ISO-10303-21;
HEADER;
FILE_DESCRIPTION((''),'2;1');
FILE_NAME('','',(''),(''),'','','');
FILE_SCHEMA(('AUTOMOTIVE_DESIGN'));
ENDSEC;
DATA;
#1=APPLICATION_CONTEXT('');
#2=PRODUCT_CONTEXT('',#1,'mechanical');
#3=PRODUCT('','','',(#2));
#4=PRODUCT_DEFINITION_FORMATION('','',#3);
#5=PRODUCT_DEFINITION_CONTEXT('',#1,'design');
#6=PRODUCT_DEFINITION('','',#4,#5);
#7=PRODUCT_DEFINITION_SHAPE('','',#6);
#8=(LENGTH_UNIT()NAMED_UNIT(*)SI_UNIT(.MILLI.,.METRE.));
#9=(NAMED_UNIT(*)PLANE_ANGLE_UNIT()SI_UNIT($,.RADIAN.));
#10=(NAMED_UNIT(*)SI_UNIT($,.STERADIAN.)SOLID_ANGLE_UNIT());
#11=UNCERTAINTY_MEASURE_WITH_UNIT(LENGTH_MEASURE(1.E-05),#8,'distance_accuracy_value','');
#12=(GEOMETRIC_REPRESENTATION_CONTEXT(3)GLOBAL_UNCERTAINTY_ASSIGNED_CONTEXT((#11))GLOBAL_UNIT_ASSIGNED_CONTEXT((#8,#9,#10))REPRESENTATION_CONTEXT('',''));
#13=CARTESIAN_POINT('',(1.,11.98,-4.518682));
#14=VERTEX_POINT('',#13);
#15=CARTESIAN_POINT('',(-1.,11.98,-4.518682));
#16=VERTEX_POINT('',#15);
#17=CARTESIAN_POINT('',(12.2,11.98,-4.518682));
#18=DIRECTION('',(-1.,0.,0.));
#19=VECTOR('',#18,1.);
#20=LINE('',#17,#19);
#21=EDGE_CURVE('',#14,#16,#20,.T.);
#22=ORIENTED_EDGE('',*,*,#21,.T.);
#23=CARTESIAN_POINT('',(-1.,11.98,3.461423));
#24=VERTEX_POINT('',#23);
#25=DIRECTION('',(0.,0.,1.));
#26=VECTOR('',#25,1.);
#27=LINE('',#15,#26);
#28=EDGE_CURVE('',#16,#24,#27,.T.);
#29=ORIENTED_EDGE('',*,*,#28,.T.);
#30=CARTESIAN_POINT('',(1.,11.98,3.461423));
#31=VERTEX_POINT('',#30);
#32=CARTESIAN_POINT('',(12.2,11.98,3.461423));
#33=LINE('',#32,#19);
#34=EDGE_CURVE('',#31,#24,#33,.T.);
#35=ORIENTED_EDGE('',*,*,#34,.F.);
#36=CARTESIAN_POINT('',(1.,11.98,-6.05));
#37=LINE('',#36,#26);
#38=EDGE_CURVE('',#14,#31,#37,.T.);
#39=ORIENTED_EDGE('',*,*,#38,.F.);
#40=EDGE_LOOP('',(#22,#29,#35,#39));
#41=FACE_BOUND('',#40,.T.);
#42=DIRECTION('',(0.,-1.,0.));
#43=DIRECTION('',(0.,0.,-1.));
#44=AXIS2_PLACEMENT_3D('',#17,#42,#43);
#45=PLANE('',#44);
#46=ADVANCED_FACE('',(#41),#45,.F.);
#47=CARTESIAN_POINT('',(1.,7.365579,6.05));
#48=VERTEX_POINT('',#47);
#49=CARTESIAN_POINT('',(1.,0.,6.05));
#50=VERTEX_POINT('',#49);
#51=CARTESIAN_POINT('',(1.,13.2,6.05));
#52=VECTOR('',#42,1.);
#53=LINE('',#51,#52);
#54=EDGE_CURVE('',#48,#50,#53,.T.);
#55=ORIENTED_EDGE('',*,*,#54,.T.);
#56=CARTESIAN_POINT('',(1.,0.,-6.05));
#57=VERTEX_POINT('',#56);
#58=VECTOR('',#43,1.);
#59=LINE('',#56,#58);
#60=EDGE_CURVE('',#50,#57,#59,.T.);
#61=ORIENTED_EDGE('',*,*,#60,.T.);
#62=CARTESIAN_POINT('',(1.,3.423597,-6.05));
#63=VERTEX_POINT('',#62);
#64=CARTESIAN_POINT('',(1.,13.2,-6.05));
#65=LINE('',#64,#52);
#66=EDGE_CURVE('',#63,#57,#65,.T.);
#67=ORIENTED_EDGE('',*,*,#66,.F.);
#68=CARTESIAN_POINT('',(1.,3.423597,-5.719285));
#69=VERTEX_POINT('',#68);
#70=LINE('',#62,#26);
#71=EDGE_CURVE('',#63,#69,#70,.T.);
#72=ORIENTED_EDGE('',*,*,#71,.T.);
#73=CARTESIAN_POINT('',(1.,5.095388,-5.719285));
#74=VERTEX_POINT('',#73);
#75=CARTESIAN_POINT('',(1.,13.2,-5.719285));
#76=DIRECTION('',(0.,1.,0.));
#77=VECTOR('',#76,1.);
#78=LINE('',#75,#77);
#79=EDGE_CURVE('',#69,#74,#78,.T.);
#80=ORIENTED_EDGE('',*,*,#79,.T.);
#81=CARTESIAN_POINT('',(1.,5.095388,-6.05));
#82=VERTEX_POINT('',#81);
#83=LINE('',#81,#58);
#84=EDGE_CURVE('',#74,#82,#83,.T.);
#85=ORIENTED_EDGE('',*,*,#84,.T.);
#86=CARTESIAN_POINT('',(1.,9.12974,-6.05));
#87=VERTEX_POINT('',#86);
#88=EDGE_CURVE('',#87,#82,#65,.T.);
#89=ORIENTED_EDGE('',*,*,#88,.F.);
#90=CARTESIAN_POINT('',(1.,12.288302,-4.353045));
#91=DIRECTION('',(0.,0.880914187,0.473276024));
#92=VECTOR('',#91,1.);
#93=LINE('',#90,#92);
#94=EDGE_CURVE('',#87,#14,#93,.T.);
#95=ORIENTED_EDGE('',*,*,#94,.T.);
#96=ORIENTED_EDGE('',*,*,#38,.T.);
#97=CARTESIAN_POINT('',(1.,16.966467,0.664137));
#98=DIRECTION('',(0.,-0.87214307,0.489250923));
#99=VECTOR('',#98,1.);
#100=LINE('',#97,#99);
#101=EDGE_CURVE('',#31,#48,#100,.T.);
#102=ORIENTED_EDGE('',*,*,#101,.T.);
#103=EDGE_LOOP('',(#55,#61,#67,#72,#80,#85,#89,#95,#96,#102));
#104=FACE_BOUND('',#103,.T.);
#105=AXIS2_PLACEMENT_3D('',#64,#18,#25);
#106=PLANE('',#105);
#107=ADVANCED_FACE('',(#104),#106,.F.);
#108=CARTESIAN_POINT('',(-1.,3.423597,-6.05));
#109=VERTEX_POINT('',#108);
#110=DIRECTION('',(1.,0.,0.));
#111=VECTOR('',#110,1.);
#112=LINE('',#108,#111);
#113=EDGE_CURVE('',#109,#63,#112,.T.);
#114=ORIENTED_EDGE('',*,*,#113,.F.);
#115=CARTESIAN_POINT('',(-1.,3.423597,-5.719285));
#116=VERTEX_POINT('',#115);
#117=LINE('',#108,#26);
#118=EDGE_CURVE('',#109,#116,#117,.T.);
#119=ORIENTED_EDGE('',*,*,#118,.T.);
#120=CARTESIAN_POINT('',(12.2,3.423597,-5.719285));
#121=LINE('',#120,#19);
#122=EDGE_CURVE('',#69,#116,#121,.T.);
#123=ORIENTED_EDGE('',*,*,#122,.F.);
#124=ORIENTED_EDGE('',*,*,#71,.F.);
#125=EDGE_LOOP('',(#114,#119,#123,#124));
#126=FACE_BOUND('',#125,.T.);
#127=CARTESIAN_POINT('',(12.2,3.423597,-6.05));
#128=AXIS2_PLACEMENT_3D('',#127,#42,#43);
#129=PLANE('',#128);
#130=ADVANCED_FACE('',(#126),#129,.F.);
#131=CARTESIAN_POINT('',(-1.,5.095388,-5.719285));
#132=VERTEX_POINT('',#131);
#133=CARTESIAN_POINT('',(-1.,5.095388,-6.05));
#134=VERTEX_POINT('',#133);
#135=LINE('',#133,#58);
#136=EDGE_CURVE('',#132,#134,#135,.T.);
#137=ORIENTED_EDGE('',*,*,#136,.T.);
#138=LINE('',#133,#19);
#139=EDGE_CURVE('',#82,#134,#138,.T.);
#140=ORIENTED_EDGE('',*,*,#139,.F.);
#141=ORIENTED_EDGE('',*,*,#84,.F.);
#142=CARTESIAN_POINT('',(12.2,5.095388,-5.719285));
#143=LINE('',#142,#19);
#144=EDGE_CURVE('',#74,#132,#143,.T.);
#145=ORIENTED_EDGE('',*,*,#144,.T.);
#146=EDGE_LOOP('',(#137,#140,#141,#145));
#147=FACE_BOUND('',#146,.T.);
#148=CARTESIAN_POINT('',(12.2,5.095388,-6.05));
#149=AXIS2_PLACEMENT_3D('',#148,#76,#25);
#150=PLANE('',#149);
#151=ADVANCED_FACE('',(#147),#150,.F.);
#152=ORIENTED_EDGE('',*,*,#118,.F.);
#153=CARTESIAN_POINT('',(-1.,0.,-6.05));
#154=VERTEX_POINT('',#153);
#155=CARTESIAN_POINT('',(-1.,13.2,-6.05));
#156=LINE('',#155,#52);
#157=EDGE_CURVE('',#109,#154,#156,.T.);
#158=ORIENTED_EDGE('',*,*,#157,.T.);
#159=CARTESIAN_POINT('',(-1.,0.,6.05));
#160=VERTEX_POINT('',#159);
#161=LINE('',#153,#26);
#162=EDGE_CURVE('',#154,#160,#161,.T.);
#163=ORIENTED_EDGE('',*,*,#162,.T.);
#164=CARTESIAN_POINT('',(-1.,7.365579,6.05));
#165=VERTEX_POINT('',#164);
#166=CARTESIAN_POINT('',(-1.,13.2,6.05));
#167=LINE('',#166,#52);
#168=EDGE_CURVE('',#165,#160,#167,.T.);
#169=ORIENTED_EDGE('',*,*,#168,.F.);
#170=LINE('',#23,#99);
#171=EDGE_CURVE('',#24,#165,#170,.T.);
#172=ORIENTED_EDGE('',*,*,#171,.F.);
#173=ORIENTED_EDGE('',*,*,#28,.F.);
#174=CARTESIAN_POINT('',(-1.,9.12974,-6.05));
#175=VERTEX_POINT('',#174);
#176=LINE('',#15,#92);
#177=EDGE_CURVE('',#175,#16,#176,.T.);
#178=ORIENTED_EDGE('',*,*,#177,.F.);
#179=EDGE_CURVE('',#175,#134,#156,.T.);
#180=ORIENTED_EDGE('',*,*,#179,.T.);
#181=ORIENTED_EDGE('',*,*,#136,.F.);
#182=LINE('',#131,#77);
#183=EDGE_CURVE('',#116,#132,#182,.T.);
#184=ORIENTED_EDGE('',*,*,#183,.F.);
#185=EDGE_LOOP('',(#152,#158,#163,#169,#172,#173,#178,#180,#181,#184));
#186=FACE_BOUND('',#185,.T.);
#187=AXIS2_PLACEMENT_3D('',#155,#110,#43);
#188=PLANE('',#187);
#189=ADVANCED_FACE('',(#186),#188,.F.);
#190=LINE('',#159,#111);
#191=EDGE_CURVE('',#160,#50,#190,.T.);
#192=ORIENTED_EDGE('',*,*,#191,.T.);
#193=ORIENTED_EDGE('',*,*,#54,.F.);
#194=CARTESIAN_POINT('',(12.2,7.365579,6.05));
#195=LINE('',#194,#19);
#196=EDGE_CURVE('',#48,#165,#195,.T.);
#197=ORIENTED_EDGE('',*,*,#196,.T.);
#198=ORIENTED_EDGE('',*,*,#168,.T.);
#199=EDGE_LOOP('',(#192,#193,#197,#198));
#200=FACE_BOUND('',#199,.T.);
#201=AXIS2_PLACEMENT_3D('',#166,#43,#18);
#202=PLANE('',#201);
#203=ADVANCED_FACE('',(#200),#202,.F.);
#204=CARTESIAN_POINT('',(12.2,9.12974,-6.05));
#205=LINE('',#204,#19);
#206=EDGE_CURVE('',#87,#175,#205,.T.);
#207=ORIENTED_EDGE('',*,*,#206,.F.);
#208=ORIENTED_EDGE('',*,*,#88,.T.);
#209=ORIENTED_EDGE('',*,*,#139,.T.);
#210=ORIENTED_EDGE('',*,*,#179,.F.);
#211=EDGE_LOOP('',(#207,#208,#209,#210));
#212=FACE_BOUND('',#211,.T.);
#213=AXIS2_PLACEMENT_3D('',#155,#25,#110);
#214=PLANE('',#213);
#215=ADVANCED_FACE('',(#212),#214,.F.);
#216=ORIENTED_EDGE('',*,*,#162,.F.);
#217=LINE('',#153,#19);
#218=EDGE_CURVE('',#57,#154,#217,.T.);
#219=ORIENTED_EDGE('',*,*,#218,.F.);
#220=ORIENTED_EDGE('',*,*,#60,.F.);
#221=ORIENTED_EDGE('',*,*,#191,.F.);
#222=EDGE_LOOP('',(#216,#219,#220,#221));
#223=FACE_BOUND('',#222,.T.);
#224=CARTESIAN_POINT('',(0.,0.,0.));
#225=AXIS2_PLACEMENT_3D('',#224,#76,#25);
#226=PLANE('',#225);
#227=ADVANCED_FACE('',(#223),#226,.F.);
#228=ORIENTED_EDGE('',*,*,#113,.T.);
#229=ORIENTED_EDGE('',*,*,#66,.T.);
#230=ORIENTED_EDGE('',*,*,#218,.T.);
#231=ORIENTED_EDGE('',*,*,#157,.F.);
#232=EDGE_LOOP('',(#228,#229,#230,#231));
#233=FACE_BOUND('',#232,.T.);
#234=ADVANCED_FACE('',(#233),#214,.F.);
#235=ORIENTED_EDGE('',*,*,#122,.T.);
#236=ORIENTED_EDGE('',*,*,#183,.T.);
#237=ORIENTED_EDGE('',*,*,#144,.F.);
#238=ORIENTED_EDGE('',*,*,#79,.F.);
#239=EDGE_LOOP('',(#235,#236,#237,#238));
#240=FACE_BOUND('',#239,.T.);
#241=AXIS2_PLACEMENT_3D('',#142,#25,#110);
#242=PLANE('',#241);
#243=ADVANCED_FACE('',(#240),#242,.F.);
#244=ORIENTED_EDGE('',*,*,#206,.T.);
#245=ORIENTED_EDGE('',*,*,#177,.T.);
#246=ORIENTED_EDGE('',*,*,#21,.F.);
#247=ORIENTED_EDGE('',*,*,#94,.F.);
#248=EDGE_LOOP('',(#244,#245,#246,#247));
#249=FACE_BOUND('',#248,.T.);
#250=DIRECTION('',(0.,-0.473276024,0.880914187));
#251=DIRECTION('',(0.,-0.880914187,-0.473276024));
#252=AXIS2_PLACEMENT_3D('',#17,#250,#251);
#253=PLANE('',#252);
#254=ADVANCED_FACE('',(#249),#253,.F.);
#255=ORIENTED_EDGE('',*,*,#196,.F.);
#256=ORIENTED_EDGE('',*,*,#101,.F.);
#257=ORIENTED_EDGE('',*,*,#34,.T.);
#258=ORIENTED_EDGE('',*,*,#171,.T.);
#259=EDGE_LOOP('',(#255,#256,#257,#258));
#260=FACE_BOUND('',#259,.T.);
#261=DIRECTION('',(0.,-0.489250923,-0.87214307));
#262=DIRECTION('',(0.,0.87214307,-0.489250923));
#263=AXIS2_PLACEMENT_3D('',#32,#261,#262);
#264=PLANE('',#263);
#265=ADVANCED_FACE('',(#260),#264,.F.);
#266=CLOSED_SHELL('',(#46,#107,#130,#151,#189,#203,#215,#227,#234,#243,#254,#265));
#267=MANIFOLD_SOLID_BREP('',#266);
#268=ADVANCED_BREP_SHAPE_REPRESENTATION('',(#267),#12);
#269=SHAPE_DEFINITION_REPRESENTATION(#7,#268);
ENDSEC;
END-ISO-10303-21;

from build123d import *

# Parameters (mm, degrees)
SKETCH_1_W          = 2
SKETCH_1_H          = 12.1
EXTRUDE_1_DEPTH     = 13.2
SKETCH_2_W          = 0.330714911
SKETCH_2_H          = 1.671791026
CUT_EXTRUDE_1_DEPTH = 13.2


with BuildPart() as part:
    # 草图1 → 凸台-拉伸1 (new body)
    with BuildSketch(Plane(origin=(0, 0, 0), x_dir=(1, 0, 0), z_dir=(0, 1, 0))):
        Rectangle(SKETCH_1_W, SKETCH_1_H)
    extrude(amount=EXTRUDE_1_DEPTH)

    # 草图2 → 切除-拉伸1 (cut)
    with BuildSketch(Plane.ZY.offset(1)):
        with Locations((-5.884642545, 4.259492563)):
            Rectangle(SKETCH_2_W, SKETCH_2_H)
        Polygon((-4.518682009, 11.98), (-6.05, 9.129739953), (-6.05, 13.2), (6.05, 13.2), (6.05, 7.365579196), (3.461422835, 11.98), align=None)
    extrude(amount=-CUT_EXTRUDE_1_DEPTH, mode=Mode.SUBTRACT)


solid = part.part
